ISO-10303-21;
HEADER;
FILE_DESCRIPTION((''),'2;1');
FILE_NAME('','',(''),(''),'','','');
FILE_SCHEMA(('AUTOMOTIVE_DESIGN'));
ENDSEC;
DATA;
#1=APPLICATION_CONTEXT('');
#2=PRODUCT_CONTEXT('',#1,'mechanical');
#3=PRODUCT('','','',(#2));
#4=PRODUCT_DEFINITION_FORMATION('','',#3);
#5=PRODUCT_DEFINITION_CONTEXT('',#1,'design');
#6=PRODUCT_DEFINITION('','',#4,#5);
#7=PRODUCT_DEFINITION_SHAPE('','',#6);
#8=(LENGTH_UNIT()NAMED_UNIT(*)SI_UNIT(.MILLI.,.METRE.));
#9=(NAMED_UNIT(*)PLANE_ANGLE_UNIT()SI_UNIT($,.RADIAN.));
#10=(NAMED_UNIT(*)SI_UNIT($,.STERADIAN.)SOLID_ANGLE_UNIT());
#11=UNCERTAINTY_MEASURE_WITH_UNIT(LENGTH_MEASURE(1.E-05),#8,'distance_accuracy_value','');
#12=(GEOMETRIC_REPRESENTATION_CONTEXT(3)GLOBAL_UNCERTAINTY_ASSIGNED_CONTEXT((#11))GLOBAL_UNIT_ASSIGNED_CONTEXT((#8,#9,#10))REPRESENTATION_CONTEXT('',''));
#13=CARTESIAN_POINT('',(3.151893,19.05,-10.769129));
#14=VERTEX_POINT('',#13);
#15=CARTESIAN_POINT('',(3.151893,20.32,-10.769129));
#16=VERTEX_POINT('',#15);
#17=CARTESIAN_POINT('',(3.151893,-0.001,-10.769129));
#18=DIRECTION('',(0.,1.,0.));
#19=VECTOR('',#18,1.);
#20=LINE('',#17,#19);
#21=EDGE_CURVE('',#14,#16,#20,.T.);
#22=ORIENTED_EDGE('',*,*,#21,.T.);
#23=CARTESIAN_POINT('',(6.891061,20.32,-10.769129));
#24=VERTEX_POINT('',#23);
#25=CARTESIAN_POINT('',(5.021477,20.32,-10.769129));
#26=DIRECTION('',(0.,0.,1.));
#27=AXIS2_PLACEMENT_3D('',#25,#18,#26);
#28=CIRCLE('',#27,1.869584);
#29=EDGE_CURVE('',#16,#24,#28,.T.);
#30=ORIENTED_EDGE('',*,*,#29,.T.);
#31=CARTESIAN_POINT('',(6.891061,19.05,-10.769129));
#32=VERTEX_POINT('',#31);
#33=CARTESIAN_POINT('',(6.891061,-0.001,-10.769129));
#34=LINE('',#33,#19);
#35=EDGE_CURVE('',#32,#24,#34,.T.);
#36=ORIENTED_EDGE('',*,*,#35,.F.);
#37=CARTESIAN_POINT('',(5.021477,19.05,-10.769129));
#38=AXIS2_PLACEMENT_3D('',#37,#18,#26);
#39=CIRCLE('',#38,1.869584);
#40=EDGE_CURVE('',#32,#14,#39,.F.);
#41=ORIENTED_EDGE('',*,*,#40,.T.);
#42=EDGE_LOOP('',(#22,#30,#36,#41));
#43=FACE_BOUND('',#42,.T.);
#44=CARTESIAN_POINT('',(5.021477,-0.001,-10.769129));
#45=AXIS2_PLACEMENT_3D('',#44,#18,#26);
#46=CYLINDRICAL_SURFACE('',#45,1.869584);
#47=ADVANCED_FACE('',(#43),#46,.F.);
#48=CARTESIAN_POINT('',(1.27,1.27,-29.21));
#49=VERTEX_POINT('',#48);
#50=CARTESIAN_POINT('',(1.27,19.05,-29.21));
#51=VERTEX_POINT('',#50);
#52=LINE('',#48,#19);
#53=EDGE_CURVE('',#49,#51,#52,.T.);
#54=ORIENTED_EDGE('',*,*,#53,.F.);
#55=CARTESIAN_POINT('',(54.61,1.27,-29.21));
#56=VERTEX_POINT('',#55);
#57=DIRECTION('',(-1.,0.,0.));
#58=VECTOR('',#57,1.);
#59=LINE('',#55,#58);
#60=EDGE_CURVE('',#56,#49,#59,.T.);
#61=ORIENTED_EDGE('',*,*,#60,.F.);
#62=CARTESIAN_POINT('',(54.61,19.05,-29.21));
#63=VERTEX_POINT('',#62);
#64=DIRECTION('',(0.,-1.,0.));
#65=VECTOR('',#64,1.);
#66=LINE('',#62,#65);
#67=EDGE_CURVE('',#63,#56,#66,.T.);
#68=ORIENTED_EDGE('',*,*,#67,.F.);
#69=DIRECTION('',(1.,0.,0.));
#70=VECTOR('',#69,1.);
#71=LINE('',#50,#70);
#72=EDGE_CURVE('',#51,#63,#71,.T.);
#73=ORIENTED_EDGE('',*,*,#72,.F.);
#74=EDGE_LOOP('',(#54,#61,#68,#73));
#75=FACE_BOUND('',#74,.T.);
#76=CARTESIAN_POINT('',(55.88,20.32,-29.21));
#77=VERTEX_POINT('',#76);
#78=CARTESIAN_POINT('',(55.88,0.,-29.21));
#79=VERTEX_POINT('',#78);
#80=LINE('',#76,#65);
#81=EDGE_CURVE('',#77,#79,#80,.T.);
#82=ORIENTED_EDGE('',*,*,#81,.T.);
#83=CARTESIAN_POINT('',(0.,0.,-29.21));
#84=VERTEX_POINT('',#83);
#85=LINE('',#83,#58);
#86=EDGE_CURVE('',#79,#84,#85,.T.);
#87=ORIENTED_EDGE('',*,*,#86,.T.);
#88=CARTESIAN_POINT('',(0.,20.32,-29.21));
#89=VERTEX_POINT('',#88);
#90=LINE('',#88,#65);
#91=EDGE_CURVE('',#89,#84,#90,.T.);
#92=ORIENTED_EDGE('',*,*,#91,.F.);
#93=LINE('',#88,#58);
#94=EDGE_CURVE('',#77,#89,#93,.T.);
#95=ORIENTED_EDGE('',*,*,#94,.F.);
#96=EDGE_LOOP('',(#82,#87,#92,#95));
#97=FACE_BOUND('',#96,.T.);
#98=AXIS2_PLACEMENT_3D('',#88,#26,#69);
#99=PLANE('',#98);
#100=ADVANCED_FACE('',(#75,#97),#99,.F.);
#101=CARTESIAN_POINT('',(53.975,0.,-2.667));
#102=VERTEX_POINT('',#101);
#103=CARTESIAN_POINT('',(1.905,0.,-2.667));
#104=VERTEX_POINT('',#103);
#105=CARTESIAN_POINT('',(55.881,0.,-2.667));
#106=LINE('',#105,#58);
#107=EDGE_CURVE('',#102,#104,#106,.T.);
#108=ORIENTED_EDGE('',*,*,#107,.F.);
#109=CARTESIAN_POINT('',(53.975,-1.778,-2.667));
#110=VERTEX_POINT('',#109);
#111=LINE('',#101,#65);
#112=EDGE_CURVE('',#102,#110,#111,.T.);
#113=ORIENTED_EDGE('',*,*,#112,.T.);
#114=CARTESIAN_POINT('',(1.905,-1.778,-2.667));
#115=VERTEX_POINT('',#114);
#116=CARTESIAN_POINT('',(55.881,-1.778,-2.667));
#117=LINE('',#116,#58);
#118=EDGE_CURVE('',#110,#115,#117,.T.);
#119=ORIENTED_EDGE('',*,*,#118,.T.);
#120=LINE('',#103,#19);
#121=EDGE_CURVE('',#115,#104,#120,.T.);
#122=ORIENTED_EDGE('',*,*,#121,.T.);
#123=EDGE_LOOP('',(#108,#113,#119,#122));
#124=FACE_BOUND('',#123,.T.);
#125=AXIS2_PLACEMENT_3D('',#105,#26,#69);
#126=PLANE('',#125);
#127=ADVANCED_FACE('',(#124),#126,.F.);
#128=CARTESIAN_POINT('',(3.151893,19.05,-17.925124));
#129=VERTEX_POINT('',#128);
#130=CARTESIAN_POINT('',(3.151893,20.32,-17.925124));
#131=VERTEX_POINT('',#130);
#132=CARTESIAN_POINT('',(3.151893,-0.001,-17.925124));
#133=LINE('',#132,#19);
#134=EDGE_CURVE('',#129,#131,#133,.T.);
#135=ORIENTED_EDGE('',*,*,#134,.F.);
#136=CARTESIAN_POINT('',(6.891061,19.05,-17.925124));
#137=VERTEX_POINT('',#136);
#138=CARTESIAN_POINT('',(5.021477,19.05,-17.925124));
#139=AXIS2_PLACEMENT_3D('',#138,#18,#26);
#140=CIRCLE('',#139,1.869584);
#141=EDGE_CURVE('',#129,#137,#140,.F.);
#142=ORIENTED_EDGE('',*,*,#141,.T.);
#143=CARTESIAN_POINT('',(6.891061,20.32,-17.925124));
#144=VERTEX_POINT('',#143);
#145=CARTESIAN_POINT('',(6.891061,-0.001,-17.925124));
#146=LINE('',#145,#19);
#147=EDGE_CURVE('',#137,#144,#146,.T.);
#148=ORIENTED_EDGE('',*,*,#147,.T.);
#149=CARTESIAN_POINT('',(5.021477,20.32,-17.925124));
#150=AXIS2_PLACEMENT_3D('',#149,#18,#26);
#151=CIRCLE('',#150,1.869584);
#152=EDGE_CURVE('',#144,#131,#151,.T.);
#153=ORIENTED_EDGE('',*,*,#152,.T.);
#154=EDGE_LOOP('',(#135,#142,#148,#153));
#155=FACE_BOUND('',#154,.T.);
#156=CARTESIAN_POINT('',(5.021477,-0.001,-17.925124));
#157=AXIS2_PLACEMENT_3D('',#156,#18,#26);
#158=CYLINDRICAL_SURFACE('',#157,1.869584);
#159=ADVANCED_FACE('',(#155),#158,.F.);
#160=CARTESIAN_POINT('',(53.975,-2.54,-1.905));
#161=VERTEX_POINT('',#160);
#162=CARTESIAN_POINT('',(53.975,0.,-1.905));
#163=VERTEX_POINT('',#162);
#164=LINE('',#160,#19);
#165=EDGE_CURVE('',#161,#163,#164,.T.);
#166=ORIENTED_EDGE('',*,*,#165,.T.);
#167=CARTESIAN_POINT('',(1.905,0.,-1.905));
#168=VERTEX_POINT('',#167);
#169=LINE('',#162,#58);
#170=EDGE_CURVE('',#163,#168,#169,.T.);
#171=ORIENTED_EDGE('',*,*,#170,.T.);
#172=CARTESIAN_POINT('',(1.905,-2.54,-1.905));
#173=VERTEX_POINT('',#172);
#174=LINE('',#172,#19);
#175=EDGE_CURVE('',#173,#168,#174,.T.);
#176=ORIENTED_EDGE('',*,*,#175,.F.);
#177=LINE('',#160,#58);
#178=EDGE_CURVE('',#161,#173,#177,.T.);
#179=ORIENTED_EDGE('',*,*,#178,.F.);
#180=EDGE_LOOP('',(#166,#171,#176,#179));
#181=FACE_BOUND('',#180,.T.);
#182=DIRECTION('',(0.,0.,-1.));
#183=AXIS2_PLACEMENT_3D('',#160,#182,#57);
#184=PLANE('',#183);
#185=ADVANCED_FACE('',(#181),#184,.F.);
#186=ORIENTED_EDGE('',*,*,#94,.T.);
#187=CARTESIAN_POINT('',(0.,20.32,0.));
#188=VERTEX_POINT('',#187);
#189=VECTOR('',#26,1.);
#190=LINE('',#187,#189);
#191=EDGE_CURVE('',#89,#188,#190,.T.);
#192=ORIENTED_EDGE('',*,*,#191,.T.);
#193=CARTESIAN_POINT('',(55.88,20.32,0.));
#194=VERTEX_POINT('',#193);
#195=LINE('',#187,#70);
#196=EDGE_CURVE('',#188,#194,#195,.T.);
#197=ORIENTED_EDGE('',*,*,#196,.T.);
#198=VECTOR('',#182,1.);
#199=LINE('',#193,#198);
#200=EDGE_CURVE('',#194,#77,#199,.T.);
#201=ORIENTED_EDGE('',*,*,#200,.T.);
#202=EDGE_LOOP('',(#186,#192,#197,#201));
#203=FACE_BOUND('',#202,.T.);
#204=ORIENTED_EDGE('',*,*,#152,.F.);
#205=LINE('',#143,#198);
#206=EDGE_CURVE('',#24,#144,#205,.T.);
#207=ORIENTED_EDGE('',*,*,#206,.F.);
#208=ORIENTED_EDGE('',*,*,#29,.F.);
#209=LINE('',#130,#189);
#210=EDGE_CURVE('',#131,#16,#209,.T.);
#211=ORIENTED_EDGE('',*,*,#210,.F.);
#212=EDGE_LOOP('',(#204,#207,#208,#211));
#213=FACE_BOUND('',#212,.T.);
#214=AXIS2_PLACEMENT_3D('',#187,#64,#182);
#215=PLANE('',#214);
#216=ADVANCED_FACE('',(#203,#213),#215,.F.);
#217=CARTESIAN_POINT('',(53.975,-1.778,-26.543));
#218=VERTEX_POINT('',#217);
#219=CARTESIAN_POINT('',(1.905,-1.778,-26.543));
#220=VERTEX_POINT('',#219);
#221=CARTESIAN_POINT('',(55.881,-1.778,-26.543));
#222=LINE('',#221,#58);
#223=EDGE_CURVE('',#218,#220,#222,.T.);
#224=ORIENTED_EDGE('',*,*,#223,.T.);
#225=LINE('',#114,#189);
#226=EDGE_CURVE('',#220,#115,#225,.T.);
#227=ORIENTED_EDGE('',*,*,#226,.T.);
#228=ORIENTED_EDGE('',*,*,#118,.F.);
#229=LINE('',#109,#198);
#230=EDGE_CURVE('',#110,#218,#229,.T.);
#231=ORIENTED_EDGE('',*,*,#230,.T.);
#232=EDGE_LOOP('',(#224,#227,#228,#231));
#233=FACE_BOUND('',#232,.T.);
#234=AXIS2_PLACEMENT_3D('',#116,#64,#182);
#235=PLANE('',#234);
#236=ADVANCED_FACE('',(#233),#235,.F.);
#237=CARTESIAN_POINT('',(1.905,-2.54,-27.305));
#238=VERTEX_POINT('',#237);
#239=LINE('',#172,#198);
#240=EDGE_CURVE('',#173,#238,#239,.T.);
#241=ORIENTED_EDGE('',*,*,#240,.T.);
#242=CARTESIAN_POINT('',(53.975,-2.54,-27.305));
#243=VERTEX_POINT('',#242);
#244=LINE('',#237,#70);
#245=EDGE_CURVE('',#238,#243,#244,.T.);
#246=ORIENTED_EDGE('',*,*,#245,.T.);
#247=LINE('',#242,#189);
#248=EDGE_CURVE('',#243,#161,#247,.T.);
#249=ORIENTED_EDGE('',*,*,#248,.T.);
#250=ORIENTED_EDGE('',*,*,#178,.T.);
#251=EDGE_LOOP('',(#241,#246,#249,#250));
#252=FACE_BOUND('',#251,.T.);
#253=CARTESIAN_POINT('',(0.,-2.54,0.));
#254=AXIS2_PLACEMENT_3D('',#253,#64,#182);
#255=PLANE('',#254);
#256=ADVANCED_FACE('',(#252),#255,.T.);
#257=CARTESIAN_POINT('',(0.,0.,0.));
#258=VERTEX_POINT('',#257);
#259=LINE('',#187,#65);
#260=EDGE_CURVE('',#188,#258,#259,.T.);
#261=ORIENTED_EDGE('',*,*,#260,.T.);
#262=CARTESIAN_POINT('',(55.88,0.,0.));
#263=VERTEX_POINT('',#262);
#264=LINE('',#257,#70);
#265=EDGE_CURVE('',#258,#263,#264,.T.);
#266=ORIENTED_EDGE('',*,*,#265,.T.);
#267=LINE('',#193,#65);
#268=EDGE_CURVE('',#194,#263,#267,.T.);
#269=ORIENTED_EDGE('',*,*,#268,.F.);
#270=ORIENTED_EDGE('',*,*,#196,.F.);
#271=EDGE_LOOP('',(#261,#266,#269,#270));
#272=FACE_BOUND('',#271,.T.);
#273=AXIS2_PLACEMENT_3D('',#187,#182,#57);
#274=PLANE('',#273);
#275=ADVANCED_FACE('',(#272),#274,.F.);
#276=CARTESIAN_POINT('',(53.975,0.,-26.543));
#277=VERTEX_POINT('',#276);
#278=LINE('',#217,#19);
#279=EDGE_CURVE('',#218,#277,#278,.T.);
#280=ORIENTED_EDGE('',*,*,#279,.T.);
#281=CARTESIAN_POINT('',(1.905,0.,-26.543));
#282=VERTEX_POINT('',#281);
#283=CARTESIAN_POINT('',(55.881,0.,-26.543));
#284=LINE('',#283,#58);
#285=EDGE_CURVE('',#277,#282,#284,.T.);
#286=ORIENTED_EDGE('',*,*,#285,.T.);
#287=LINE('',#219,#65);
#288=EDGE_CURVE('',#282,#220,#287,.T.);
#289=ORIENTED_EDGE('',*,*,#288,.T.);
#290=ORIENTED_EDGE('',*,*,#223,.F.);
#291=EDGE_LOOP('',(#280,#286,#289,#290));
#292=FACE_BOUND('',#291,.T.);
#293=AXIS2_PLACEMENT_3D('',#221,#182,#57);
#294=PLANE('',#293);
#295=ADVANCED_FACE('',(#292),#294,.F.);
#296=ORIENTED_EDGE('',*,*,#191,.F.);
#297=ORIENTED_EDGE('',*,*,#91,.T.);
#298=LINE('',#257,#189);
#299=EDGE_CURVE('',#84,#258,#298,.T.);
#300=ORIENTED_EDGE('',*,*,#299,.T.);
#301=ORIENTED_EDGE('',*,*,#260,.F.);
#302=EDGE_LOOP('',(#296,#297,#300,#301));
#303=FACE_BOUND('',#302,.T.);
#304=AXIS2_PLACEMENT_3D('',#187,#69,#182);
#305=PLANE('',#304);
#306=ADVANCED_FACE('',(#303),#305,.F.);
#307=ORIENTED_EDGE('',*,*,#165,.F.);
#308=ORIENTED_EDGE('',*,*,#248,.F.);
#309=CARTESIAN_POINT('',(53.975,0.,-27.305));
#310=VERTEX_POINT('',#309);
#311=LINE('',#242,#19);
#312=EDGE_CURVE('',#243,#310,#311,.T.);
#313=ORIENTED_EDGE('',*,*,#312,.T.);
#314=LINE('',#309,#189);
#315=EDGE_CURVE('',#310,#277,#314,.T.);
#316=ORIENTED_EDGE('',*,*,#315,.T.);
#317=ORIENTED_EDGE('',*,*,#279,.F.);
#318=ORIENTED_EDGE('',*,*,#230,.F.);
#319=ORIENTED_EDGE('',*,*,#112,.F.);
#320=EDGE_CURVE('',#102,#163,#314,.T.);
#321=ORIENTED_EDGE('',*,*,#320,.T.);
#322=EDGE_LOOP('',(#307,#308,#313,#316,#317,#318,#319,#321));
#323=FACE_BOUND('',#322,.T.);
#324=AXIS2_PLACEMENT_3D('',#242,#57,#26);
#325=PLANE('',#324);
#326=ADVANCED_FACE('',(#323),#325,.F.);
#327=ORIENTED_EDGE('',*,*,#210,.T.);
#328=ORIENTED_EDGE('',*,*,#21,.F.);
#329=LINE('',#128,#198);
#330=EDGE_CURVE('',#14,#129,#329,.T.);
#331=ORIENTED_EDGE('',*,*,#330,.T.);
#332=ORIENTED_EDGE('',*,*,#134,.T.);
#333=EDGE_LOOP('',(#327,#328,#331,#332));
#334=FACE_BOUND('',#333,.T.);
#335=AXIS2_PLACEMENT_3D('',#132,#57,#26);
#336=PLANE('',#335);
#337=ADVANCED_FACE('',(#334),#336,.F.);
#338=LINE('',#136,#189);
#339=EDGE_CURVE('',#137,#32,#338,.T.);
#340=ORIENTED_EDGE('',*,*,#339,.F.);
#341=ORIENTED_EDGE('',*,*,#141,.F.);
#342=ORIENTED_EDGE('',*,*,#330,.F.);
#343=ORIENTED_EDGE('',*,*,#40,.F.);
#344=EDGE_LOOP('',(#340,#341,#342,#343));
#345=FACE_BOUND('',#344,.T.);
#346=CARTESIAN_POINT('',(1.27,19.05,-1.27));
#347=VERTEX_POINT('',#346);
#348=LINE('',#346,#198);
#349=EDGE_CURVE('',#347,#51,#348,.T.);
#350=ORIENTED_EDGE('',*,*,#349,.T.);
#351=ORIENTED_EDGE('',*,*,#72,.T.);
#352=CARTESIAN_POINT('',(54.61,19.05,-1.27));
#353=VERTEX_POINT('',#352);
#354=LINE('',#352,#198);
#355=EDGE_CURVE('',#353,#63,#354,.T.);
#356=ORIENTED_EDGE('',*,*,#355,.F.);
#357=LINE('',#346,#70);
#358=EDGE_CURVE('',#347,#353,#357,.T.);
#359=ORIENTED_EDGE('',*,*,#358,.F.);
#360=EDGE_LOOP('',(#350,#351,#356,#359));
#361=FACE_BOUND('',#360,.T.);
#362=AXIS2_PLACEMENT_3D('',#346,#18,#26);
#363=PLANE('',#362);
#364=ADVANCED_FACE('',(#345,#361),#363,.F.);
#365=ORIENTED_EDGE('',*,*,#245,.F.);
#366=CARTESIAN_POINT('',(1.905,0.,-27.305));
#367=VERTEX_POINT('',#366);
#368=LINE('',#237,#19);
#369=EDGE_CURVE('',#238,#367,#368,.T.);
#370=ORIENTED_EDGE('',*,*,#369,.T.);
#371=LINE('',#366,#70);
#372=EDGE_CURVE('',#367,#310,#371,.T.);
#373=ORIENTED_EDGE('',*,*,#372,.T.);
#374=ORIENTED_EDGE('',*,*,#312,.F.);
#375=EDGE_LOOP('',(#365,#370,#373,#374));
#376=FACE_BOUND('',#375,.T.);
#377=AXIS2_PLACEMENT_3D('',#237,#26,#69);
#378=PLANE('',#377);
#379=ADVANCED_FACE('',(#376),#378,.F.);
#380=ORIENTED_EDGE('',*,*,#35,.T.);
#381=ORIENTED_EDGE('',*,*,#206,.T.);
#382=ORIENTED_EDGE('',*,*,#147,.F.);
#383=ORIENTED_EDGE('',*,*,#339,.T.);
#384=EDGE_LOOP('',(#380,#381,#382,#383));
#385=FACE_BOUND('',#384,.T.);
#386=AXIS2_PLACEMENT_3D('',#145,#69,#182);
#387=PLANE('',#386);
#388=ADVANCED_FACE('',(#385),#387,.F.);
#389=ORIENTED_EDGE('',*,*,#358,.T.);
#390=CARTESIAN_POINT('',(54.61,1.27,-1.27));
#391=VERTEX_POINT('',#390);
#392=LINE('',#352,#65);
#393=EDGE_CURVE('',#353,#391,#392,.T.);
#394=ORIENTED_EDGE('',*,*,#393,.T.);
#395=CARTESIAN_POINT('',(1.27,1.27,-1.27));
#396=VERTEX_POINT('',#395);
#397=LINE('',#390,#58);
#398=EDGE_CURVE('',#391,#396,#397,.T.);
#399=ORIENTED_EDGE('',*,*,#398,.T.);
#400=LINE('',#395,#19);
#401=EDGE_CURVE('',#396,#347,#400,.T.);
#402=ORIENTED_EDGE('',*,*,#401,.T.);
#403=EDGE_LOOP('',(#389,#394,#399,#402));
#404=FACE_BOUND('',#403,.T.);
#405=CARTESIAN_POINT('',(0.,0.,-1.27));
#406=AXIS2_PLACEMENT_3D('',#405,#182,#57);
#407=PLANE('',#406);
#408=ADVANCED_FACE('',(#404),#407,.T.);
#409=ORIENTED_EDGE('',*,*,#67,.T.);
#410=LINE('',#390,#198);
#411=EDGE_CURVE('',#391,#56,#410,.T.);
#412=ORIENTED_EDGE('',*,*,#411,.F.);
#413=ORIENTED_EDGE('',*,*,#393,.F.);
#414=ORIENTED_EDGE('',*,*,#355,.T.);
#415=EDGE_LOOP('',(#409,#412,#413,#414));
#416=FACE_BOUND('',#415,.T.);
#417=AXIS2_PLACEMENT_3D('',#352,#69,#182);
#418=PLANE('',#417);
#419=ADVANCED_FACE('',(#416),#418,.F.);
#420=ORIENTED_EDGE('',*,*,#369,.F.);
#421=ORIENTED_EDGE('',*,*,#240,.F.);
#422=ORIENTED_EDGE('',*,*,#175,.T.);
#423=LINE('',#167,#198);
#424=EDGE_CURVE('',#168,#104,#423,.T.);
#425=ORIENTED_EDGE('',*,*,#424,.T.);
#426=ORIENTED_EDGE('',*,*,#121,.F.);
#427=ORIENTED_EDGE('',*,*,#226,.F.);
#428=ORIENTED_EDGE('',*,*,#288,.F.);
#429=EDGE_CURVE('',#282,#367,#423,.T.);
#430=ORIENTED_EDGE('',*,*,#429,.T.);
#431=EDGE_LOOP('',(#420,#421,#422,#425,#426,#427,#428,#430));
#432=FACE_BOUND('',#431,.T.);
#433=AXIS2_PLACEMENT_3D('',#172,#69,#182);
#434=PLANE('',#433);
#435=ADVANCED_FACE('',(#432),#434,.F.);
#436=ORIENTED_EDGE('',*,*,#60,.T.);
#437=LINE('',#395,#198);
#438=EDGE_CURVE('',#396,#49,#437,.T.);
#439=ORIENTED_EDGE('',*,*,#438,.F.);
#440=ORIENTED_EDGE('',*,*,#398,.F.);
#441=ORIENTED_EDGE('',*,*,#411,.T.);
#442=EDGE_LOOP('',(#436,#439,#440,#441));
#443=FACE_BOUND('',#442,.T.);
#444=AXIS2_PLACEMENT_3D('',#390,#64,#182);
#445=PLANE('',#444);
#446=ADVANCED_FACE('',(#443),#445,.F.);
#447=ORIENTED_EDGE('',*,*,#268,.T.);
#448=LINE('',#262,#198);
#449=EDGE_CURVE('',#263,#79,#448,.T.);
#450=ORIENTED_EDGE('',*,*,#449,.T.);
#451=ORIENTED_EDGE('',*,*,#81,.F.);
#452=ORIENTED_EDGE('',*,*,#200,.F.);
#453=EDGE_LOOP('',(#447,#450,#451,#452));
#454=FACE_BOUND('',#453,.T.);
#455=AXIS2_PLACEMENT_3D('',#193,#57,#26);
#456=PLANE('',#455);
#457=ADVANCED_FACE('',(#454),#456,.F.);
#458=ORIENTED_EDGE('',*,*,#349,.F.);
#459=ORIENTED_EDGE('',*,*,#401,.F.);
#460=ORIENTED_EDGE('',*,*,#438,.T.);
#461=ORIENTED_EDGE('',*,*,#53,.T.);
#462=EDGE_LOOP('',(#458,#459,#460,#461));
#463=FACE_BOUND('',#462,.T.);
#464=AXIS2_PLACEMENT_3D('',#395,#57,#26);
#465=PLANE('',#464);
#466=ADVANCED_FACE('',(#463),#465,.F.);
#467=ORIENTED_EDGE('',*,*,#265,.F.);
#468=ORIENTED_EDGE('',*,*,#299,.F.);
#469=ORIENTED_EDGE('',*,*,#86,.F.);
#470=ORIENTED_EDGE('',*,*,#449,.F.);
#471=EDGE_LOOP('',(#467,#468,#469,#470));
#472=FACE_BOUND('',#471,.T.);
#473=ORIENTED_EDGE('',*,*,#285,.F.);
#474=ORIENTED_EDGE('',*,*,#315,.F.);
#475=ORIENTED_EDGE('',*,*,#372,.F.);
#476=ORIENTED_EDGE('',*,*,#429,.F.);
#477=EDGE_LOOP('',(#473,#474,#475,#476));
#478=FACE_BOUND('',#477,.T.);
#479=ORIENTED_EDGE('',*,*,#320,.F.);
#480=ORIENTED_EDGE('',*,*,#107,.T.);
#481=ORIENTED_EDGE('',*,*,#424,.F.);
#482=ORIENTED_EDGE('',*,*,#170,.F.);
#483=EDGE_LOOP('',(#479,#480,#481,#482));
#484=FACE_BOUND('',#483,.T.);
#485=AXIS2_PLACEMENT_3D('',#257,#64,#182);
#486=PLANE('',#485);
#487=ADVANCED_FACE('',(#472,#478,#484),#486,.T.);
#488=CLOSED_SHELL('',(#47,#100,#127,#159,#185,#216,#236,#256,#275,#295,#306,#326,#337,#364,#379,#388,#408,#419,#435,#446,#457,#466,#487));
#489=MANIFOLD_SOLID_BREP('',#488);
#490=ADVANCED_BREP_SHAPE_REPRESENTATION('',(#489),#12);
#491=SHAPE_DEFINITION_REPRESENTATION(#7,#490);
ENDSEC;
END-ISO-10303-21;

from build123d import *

# Parameters (mm, degrees)
SKETCH3_W           = 55.88
SKETCH3_H           = 29.21
BOSS_EXTRUDE4_DEPTH = 20.32
SKETCH5_W           = 53.34
SKETCH5_H           = 17.78
CUT_EXTRUDE1_DEPTH  = 27.94
CUT_EXTRUDE2_REACH  = 22.32
SKETCH7_W           = 52.07
SKETCH7_H           = 25.4
BOSS_EXTRUDE5_DEPTH = 2.54
CUT_EXTRUDE3_REACH  = 55.975
SKETCH8_W           = 23.876
SKETCH8_H           = 1.778


with BuildPart() as part:
    # Sketch3 → Boss-Extrude4 (new body)
    with BuildSketch(Plane(origin=(0, 0, 0), x_dir=(1, 0, 0), z_dir=(0, 1, 0))):
        with Locations((27.94, 14.605)):
            Rectangle(SKETCH3_W, SKETCH3_H)
    extrude(amount=BOSS_EXTRUDE4_DEPTH)

    # Sketch5 → Cut-Extrude1 (cut)
    with BuildSketch(Plane(origin=(0, 0, -29.21), x_dir=(-1, 0, 0), z_dir=(0, 0, -1))):
        with Locations((-27.94, 10.16)):
            Rectangle(SKETCH5_W, SKETCH5_H)
    extrude(amount=-CUT_EXTRUDE1_DEPTH, mode=Mode.SUBTRACT)

    # Sketch6 → Cut-Extrude2 (cut, up to next)
    with BuildSketch(Plane(origin=(0, 20.32, 0), x_dir=(1, 0, 0), z_dir=(0, 1, 0)), mode=Mode.PRIVATE) as cut_extrude2_sk1:
        with BuildLine():
            Line((6.891061211, 17.925123576), (6.891061211, 10.769129072))
            ThreePointArc((6.891061211, 10.769129072), (5.021477061, 8.899544922), (3.151892912, 10.769129072))
            Line((3.151892912, 10.769129072), (3.151892912, 17.925123576))
            ThreePointArc((3.151892912, 17.925123576), (5.021477061, 19.794707726), (6.891061211, 17.925123576))
        make_face()
    cut_extrude2_tool1 = extrude(cut_extrude2_sk1.sketch, amount=-CUT_EXTRUDE2_REACH, mode=Mode.PRIVATE) & part.part
    add(cut_extrude2_tool1.solids().sort_by_distance((5.021477, 20.32, -14.347126))[0], mode=Mode.SUBTRACT)

    # Sketch7 → Boss-Extrude5 (add)
    with BuildSketch(Plane.XZ):
        with Locations((27.94, -14.605)):
            Rectangle(SKETCH7_W, SKETCH7_H)
    extrude(amount=BOSS_EXTRUDE5_DEPTH)

    # Sketch8 → Cut-Extrude3 (cut, up to next)
    with BuildSketch(Plane.ZY.offset(-1.905), mode=Mode.PRIVATE) as cut_extrude3_sk1:
        with Locations((-14.605, -0.889)):
            Rectangle(SKETCH8_W, SKETCH8_H)
    cut_extrude3_tool1 = extrude(cut_extrude3_sk1.sketch, amount=-CUT_EXTRUDE3_REACH, mode=Mode.PRIVATE) & part.part
    add(cut_extrude3_tool1.solids().sort_by_distance((1.905, -0.889, -14.605))[0], mode=Mode.SUBTRACT)


solid = part.part
